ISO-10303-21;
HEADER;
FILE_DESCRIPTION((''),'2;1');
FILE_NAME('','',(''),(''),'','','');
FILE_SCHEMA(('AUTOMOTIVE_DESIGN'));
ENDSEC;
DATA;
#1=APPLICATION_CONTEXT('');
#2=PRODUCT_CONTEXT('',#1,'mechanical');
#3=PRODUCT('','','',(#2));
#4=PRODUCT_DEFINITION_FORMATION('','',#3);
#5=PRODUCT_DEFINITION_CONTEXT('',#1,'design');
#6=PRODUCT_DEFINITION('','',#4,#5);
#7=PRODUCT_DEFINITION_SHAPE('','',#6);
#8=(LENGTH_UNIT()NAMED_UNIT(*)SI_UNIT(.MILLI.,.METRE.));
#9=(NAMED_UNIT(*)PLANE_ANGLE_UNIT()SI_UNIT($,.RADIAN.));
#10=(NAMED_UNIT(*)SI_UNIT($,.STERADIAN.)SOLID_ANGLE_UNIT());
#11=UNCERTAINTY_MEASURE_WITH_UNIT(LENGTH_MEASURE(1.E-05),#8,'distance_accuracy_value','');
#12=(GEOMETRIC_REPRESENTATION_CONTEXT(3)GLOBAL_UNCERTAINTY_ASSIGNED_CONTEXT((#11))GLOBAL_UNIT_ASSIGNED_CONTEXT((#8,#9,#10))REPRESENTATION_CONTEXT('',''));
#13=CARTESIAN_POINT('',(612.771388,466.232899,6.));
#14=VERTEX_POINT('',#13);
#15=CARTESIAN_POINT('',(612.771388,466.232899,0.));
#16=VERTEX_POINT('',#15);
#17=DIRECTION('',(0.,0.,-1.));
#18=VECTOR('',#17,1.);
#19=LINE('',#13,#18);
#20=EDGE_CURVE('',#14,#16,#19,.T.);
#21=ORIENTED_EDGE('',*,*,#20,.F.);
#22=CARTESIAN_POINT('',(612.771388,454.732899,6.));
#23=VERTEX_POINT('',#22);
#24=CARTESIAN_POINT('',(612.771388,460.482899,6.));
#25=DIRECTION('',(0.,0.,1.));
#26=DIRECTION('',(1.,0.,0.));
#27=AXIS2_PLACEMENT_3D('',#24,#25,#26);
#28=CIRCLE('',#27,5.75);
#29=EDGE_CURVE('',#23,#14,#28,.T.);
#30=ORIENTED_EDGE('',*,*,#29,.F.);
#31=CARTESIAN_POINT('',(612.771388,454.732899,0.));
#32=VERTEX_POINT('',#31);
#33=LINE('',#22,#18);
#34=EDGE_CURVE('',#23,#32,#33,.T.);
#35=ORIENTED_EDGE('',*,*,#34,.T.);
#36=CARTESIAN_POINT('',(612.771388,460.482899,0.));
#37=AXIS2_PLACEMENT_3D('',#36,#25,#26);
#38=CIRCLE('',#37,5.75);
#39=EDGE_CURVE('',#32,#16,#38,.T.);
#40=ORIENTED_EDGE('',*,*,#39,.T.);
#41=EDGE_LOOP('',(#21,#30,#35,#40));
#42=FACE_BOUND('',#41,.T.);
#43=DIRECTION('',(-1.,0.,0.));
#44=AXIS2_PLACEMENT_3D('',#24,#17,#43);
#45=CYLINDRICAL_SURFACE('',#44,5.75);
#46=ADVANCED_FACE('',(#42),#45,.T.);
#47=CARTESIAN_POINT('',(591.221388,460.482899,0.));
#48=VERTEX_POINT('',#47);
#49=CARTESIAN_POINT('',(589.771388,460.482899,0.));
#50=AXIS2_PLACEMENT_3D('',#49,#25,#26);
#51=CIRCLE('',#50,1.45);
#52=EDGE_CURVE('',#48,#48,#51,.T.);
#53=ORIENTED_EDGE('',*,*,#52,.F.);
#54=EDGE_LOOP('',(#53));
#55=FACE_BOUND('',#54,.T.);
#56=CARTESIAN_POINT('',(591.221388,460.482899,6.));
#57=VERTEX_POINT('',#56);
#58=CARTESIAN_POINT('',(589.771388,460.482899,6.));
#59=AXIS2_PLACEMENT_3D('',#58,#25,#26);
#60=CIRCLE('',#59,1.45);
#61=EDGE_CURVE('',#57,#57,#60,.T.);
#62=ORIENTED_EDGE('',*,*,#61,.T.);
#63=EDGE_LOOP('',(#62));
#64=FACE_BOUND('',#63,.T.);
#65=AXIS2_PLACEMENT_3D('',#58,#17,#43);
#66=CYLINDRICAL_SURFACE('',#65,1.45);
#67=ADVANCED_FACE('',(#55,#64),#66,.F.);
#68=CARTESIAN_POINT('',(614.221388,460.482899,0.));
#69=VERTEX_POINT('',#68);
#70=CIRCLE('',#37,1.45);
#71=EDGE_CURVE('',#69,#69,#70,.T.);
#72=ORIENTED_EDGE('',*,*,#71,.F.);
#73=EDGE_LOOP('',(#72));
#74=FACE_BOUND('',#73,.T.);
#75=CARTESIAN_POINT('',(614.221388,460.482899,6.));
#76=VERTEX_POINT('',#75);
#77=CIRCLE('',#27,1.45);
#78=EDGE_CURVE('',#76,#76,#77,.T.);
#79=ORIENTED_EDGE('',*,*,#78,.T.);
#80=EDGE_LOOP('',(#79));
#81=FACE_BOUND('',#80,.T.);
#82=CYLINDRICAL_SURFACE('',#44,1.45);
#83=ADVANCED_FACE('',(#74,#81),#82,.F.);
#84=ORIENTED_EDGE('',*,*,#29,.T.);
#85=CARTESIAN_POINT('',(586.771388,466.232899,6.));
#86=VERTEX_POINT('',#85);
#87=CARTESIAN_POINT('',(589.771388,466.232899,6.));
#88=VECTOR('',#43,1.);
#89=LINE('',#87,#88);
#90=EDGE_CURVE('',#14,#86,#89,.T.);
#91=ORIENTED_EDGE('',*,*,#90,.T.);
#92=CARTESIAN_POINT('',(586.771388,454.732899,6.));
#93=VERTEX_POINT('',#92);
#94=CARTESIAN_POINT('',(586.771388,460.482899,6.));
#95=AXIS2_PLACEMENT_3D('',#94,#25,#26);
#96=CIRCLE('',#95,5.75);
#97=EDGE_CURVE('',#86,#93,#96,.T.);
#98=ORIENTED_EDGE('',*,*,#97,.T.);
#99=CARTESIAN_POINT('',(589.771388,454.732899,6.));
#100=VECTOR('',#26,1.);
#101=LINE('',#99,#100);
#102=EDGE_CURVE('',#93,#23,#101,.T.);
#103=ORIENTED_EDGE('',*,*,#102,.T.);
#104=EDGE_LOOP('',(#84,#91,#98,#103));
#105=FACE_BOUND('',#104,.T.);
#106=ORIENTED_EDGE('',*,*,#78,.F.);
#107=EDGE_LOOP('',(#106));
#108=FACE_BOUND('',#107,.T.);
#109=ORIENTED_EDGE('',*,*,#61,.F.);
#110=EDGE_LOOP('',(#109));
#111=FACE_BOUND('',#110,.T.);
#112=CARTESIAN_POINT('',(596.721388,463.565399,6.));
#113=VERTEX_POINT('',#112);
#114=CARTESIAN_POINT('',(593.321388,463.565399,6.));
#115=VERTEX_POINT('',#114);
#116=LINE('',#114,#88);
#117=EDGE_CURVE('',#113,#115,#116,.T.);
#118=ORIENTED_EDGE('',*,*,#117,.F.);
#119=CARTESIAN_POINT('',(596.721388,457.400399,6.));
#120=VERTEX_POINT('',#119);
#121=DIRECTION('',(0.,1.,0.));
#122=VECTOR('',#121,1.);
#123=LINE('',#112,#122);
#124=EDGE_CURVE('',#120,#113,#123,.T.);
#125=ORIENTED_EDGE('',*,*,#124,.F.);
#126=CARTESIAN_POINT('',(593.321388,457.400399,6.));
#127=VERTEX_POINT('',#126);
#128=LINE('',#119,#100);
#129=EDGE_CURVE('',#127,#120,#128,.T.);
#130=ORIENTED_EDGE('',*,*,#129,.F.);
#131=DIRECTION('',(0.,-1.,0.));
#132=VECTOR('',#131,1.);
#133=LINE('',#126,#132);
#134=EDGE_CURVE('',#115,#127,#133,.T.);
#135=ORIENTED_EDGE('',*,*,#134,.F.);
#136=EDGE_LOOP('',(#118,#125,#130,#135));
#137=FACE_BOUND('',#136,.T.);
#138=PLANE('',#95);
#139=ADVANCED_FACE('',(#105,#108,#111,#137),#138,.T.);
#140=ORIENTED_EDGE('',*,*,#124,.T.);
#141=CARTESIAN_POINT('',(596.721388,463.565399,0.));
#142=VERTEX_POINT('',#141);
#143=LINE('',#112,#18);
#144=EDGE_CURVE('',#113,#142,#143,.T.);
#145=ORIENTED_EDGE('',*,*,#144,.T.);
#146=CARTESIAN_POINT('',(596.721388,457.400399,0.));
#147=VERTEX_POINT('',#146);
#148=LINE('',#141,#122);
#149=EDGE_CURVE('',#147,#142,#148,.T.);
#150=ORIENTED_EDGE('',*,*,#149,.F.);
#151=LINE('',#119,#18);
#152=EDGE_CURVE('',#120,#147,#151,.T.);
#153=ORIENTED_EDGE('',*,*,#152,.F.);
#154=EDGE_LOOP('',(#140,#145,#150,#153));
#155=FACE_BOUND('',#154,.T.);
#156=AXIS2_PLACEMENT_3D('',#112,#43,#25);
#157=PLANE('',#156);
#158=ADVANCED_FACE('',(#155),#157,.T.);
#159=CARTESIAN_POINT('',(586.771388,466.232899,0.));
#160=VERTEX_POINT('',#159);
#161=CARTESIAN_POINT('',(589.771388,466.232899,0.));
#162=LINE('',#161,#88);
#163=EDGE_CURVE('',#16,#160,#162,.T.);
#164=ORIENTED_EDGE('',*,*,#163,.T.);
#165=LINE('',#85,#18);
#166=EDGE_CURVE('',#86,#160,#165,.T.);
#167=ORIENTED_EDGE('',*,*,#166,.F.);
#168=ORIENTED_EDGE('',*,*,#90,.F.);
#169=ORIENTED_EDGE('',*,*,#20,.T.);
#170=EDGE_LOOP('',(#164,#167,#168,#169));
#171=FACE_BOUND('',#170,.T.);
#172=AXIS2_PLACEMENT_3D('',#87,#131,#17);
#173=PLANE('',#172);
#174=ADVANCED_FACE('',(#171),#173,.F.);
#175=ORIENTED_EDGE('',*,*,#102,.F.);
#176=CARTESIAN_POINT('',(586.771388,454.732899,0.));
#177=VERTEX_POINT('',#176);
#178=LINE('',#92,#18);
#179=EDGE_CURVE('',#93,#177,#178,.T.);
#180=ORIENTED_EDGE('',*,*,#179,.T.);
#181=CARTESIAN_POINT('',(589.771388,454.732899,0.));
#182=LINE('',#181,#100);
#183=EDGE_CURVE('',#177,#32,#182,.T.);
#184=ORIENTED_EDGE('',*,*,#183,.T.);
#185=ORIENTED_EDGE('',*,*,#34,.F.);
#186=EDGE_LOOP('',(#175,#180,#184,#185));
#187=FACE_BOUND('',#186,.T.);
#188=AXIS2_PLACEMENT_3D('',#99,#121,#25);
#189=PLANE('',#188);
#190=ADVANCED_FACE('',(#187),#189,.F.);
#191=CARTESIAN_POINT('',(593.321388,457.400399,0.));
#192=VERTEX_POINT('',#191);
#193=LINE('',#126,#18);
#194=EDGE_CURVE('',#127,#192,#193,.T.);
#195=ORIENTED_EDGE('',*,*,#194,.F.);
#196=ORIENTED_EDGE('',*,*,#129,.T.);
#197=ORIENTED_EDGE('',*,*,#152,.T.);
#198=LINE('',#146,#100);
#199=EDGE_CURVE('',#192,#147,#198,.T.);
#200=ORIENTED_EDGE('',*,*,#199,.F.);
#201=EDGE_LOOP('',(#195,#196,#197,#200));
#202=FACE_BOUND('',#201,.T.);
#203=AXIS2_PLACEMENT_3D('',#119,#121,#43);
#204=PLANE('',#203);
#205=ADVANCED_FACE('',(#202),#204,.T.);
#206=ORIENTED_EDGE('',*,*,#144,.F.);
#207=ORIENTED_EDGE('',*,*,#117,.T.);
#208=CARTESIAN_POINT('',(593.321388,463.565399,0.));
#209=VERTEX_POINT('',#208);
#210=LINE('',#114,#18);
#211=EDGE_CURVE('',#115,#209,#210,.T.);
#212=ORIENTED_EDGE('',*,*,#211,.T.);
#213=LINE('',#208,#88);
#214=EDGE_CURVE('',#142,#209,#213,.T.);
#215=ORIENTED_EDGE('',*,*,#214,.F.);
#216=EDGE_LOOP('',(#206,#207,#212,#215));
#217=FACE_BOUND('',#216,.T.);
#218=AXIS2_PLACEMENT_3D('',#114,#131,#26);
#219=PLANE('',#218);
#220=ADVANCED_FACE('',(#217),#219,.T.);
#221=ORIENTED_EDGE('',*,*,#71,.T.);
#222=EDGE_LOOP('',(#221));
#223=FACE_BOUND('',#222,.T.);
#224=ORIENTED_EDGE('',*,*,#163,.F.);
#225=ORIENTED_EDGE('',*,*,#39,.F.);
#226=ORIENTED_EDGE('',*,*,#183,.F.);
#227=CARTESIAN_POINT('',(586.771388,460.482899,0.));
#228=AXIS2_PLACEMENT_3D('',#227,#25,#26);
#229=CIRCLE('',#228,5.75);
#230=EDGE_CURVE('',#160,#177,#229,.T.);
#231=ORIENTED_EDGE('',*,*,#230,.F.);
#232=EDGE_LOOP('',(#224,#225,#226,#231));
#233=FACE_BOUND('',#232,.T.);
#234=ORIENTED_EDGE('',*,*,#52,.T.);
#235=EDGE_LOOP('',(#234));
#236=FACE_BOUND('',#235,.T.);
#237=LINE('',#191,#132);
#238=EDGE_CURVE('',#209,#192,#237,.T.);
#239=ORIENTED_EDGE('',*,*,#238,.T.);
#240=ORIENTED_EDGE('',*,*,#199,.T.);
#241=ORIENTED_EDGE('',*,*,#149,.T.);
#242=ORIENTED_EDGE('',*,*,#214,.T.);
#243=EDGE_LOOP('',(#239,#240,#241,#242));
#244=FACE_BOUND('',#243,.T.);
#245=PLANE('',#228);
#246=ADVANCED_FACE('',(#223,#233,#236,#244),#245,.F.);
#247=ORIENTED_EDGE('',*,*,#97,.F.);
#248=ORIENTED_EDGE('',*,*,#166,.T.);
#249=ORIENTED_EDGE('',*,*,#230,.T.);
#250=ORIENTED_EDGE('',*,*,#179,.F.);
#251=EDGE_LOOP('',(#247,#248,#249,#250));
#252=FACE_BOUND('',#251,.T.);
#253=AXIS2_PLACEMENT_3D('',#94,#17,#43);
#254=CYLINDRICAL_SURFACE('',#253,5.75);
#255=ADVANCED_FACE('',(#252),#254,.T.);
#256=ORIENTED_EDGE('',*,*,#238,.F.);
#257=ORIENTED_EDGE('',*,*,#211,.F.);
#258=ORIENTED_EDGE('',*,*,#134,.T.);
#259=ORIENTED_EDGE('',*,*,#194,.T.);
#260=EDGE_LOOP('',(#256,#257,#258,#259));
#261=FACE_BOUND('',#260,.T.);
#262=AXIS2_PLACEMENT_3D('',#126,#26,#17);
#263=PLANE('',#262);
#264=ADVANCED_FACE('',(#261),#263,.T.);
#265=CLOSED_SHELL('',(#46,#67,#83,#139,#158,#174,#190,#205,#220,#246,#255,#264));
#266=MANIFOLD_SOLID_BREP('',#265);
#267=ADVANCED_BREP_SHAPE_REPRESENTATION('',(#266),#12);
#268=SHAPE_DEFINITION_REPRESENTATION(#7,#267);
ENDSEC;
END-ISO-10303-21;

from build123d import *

# Parameters (mm, degrees)
SKETCH1_R           = 1.45
SKETCH1_W           = 3.4
SKETCH1_H           = 6.165
BOSS_EXTRUDE1_DEPTH = 6


with BuildPart() as part:
    # Sketch1 → Boss-Extrude1 (new body)
    with BuildSketch(Plane.XY):
        with BuildLine():
            Line((589.771388, 466.232899), (612.771388, 466.232899))
            ThreePointArc((612.771388, 466.232899), (618.521388, 460.482899), (612.771388, 454.732899))
            Line((612.771388, 454.732899), (589.771388, 454.732899))
            Line((589.771388, 454.732899), (586.771388, 454.732899))
            ThreePointArc((586.771388, 454.732899), (581.021388, 460.482899), (586.771388, 466.232899))
            Line((586.771388, 466.232899), (589.771388, 466.232899))
        make_face()
        with Locations((589.771388, 460.482899)):
            Circle(SKETCH1_R, mode=Mode.SUBTRACT)
        with Locations((612.771388, 460.482899)):
            Circle(SKETCH1_R, mode=Mode.SUBTRACT)
        with Locations((595.021388, 460.482899)):
            Rectangle(SKETCH1_W, SKETCH1_H, mode=Mode.SUBTRACT)
    extrude(amount=BOSS_EXTRUDE1_DEPTH)


solid = part.part
